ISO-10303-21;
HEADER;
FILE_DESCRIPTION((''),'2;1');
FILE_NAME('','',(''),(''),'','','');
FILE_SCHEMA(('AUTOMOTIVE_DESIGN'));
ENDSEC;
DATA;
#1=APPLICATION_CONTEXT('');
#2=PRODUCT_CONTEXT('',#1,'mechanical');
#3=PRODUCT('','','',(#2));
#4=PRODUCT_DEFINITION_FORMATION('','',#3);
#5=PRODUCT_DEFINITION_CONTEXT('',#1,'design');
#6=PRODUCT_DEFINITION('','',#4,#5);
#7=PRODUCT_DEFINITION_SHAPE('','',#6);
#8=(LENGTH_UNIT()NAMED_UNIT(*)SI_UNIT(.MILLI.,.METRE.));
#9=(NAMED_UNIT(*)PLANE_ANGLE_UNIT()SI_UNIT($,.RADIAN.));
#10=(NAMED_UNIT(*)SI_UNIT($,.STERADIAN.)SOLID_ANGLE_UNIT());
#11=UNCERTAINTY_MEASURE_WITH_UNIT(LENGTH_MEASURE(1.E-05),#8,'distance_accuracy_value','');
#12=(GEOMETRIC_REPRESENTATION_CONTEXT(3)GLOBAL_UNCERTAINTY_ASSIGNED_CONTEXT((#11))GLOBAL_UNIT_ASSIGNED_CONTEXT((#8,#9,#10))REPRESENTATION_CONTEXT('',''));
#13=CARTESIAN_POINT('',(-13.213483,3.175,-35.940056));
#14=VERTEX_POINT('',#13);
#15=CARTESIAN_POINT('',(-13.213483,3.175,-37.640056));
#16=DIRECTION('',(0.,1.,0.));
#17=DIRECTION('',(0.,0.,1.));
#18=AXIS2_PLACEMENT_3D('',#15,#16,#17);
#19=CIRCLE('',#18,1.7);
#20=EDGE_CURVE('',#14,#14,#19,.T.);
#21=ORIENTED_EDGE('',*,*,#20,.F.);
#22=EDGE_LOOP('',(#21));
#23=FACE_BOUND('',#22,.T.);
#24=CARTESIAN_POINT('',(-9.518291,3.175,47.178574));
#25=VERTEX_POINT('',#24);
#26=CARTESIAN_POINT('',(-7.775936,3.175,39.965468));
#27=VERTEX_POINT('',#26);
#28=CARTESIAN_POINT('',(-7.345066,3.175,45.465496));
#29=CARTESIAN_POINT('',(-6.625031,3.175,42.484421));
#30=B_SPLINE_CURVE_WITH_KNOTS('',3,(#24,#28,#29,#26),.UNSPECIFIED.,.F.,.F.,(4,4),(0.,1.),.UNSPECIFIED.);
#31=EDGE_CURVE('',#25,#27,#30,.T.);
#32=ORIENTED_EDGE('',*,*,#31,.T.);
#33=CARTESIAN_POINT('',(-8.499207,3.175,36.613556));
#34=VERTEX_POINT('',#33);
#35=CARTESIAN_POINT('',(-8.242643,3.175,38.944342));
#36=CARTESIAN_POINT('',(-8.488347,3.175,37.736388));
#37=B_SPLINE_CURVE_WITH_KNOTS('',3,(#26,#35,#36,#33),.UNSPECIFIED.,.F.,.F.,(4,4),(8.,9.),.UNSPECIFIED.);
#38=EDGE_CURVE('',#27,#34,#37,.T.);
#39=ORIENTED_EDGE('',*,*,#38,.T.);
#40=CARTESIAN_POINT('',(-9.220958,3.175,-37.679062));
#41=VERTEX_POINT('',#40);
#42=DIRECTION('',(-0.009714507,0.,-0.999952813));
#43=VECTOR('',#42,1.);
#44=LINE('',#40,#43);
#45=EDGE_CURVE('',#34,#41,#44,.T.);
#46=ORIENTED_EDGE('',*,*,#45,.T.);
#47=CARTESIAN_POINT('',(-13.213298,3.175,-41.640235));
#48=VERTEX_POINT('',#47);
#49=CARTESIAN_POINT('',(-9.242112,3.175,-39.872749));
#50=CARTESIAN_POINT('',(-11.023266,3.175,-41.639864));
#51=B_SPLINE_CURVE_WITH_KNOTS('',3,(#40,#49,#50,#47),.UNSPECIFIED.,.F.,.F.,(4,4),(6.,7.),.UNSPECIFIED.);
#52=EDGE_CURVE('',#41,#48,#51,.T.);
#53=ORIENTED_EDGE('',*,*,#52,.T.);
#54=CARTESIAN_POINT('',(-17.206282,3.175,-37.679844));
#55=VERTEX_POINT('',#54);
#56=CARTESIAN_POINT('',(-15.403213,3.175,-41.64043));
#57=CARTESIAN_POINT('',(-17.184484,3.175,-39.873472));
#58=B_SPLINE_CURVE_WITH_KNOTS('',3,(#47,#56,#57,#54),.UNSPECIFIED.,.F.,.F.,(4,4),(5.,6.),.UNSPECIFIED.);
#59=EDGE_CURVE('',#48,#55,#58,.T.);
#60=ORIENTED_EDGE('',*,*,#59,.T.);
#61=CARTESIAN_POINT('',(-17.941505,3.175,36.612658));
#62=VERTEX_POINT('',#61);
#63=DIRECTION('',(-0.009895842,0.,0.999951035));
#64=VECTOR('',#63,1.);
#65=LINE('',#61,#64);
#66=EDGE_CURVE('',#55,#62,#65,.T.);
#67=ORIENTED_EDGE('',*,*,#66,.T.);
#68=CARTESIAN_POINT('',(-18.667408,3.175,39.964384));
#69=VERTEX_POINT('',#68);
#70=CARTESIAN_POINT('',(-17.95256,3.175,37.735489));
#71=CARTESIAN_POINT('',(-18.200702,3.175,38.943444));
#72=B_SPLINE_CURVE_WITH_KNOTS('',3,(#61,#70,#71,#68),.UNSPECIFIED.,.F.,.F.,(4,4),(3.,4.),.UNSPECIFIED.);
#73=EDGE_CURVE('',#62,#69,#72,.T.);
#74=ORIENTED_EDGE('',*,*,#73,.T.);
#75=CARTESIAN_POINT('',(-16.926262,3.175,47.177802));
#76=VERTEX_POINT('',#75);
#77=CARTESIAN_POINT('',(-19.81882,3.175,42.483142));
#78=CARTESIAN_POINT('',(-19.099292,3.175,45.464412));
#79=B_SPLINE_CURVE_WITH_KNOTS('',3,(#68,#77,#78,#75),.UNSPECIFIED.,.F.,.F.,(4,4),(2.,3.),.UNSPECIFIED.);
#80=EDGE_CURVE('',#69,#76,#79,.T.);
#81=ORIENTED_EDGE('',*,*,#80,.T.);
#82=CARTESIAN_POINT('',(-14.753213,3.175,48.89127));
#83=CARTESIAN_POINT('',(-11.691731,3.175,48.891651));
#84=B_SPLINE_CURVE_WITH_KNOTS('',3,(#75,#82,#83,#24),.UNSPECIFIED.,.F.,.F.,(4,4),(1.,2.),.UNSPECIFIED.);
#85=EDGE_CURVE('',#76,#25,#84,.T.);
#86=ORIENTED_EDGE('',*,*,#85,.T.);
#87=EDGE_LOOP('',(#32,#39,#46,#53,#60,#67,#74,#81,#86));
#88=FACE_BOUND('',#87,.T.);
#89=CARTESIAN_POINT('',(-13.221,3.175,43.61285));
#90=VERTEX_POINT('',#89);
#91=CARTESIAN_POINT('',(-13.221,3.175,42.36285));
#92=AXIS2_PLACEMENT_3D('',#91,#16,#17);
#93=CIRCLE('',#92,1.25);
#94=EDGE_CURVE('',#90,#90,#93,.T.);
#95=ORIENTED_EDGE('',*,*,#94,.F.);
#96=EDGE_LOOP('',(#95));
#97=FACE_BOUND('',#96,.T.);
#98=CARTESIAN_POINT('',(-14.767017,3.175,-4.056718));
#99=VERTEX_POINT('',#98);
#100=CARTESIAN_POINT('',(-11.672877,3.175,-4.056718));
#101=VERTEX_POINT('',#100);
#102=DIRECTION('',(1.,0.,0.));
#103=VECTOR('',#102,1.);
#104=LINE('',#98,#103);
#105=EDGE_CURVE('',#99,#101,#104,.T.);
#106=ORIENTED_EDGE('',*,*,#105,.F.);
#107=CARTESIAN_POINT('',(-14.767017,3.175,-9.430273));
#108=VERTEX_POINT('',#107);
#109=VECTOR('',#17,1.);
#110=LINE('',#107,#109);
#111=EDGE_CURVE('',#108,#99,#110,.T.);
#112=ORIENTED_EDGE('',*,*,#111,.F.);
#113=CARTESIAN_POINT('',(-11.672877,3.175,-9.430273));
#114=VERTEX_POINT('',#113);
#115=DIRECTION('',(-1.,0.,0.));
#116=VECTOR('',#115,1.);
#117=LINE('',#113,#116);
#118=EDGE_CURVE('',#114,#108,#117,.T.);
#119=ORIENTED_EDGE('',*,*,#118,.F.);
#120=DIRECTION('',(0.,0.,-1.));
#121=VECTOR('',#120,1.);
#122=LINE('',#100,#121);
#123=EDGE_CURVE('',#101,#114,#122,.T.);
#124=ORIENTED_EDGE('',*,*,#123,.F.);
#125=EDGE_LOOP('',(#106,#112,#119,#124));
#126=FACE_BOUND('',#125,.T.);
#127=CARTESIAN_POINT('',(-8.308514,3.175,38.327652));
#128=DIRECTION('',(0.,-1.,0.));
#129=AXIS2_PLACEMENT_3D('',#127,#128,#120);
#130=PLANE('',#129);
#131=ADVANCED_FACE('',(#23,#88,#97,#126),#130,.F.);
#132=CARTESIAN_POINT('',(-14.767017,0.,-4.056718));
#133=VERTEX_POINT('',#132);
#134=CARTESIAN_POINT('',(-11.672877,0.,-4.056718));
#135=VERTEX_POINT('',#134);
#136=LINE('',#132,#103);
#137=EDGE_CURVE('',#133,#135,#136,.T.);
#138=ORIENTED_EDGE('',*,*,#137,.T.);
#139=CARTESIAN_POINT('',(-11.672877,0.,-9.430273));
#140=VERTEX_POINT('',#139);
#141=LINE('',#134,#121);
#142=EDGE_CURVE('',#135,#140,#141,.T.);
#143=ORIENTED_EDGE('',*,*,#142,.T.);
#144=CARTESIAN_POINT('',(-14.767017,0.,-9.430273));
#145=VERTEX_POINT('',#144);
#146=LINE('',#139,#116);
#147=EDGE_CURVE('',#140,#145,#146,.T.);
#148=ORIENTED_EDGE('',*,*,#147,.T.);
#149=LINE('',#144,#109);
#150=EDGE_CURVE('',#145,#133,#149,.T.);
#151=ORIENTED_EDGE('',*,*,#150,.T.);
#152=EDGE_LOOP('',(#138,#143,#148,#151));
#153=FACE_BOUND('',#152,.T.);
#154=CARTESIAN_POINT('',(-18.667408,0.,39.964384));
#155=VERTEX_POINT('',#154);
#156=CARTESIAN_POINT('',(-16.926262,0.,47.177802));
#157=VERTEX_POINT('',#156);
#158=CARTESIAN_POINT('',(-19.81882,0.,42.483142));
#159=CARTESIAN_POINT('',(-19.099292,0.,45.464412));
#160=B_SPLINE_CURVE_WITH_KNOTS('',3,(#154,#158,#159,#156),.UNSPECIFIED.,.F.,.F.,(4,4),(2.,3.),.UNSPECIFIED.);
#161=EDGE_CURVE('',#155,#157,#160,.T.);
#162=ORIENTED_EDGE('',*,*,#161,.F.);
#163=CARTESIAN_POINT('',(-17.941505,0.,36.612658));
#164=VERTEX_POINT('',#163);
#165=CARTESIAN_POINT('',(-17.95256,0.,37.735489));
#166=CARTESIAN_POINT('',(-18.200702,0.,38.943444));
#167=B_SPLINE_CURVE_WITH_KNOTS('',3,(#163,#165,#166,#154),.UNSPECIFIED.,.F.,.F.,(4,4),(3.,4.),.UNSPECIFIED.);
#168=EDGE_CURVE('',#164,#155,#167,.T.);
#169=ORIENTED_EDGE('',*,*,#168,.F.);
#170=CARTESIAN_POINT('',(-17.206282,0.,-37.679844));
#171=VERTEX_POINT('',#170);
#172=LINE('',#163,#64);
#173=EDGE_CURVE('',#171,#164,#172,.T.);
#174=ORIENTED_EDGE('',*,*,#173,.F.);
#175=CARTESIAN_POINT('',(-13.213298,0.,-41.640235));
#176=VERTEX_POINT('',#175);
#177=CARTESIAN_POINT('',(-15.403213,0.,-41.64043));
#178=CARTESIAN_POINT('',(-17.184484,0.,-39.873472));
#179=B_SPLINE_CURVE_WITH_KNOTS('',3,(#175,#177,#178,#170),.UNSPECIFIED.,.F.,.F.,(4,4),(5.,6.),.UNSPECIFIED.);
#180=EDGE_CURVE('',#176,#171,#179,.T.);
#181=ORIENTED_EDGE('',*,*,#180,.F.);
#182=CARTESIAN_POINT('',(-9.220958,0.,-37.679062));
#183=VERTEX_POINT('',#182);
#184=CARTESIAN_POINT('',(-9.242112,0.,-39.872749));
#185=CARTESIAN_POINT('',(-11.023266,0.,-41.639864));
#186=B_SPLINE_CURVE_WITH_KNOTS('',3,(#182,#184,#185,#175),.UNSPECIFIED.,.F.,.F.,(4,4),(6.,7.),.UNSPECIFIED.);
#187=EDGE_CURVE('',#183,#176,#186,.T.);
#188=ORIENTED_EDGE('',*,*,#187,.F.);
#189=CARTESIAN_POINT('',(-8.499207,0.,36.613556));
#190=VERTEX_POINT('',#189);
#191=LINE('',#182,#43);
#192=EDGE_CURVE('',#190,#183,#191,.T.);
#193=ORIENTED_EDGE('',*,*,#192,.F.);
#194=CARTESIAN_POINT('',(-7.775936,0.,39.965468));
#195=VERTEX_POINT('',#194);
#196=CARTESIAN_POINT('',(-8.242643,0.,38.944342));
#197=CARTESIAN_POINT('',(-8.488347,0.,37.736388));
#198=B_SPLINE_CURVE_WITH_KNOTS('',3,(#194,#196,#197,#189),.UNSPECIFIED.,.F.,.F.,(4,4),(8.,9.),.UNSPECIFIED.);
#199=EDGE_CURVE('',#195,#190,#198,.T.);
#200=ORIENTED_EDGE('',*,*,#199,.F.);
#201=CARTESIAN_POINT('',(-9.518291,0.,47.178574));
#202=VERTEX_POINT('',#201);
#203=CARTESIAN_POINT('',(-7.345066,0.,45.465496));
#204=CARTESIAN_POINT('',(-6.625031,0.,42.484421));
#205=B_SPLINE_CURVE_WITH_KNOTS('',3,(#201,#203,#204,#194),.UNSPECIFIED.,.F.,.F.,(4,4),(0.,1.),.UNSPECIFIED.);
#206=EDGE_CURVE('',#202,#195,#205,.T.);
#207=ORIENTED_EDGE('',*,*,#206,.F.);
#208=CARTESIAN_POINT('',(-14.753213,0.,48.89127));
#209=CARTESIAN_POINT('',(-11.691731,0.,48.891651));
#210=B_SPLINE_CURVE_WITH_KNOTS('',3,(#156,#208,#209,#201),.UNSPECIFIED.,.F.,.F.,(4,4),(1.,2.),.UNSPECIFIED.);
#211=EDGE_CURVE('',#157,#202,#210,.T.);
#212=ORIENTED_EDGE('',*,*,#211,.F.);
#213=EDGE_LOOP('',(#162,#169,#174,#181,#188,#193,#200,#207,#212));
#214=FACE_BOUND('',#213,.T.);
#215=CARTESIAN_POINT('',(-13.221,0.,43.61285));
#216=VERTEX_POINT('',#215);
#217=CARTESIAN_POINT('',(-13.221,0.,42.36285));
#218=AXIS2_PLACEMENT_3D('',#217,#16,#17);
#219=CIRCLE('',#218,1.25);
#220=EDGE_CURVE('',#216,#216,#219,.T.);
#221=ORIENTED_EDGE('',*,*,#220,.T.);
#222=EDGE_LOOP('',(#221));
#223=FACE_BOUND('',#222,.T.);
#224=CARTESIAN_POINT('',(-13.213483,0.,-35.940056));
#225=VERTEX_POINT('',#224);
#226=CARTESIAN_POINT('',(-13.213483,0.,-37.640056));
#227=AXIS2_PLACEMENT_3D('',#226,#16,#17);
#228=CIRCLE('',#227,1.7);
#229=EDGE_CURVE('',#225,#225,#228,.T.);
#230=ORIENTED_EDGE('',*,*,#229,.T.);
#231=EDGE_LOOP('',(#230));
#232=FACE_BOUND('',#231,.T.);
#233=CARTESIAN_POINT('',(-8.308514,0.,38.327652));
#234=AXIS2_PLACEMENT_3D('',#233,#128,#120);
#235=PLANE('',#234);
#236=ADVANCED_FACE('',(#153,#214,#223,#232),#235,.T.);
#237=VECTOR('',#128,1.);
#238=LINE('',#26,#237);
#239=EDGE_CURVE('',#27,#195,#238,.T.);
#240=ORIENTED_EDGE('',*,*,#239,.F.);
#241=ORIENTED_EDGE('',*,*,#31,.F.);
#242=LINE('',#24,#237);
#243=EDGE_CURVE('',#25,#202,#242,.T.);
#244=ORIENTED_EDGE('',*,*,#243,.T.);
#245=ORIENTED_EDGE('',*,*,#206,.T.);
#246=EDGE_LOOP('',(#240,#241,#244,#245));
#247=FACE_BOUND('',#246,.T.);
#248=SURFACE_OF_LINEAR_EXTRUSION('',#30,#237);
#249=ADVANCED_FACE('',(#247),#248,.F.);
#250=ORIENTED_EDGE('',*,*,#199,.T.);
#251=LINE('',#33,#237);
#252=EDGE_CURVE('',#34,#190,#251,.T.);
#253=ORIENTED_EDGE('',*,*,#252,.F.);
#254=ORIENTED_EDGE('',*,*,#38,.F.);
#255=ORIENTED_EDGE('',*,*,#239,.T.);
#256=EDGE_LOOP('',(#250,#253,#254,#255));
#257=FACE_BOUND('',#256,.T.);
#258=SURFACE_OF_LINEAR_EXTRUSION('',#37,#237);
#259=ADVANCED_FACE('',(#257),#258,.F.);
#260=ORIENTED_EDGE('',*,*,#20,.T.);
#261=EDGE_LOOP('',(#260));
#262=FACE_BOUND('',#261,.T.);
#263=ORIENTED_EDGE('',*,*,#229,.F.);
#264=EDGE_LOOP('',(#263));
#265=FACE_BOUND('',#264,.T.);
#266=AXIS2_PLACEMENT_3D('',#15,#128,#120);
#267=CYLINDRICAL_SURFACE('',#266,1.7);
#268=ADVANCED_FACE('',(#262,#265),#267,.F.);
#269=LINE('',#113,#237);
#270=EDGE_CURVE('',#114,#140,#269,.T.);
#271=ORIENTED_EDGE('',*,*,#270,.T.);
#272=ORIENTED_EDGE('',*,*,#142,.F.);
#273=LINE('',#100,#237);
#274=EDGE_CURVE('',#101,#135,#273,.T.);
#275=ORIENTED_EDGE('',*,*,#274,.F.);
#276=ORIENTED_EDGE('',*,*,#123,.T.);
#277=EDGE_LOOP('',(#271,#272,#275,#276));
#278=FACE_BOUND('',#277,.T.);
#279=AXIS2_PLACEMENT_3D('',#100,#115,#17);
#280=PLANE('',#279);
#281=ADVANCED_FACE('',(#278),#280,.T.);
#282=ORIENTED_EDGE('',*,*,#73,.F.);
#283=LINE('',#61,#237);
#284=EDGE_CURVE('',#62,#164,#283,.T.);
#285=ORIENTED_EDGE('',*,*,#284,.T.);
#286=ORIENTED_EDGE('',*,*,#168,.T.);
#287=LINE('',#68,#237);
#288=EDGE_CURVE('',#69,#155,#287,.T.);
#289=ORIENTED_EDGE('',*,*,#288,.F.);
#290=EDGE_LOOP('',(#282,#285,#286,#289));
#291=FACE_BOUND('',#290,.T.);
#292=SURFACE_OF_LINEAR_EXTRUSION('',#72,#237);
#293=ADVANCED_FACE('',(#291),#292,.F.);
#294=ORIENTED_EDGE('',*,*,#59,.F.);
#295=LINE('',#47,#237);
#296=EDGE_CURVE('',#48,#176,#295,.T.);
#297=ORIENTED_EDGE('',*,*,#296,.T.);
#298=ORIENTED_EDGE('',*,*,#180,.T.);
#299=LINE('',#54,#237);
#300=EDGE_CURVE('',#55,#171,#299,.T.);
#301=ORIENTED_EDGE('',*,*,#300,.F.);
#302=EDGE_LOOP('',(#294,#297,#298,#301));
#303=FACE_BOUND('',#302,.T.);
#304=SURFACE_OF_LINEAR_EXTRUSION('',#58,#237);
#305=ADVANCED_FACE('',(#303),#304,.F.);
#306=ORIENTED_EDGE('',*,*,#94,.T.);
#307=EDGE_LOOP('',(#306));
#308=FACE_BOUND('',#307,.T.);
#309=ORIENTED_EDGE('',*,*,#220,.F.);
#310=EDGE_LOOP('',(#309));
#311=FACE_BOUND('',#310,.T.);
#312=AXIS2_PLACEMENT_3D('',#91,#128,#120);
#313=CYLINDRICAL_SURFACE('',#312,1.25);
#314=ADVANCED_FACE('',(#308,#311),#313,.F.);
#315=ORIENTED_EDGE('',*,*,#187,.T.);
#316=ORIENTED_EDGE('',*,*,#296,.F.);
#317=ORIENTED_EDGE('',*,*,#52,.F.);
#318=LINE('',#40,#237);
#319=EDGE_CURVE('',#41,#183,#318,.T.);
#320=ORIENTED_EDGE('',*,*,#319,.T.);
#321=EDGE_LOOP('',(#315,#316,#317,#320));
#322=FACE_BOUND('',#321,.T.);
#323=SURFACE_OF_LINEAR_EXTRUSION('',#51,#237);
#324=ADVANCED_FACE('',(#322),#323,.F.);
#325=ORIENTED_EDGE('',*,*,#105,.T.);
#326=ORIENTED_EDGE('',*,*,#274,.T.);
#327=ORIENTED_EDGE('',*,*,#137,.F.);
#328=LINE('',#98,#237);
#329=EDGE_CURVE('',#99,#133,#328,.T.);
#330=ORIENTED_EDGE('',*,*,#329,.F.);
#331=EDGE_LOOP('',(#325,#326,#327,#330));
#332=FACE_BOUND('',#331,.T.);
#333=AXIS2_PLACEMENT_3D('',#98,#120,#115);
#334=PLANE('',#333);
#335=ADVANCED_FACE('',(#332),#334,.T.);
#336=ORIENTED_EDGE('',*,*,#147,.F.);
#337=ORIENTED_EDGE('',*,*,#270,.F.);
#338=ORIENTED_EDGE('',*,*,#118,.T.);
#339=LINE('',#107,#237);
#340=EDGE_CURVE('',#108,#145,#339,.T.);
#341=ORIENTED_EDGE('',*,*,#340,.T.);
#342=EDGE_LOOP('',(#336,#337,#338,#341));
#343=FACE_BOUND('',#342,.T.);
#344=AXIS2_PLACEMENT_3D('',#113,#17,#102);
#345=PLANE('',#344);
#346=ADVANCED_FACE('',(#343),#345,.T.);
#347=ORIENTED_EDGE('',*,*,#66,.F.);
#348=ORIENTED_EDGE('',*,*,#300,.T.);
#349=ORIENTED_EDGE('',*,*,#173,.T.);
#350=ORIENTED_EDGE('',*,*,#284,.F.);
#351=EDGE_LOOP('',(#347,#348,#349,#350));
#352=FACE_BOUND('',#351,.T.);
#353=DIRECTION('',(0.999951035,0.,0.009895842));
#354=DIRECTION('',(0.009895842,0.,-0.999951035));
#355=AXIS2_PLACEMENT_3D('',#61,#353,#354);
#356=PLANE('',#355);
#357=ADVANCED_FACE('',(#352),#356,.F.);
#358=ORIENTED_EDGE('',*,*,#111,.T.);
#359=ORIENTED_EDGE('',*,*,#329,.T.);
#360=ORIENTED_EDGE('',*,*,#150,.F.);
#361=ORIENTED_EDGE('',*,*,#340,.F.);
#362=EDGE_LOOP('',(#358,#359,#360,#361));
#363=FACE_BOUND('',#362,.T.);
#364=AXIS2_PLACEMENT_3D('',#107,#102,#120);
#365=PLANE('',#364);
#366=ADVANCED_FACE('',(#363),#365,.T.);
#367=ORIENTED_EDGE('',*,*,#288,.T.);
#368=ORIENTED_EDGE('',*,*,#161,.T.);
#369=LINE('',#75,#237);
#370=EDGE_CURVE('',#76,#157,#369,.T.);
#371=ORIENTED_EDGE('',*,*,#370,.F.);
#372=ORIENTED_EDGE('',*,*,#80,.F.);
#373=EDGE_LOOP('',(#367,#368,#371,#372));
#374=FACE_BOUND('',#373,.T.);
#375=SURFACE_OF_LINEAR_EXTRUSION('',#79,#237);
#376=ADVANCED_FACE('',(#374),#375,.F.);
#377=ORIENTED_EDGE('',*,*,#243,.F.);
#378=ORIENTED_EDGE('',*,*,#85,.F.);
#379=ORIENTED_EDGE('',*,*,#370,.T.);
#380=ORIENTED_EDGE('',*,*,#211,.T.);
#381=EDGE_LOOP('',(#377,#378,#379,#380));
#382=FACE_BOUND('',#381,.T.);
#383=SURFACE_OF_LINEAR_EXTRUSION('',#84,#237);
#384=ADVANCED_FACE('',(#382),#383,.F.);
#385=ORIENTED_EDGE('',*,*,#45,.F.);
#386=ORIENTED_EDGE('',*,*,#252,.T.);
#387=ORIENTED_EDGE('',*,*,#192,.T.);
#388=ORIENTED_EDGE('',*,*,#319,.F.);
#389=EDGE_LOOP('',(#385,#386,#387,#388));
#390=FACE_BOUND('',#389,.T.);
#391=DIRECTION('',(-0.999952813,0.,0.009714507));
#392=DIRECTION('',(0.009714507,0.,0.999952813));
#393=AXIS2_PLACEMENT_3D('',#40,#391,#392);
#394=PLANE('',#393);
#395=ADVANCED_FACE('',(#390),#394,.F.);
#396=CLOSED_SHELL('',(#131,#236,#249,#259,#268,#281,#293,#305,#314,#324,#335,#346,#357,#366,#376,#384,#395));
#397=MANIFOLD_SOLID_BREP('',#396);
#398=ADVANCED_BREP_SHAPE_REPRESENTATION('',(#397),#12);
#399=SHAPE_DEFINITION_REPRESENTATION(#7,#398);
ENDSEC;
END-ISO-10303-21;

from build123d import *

# Parameters (mm, degrees)
SKETCH1_R           = 1.25
SKETCH1_R_2         = 1.7
SKETCH1_W           = 3.094140016
SKETCH1_H           = 5.373555218
BOSS_EXTRUDE1_DEPTH = 3.175


with BuildPart() as part:
    # Sketch1 → Boss-Extrude1 (new body)
    with BuildSketch(Plane(origin=(0, 0, 0), x_dir=(1, 0, 0), z_dir=(0, 1, 0))):
        with BuildLine():
            Line((-17.941505014, -36.612657571), (-17.206282158, 37.679843625))
            add(Edge.make_bspline(
                [(-17.206282158, 37.679843625), (-17.184484201, 39.873471894), (-15.40321289, 41.64043003), (-13.213298132, 41.640234704)],
                knots=[5, 5, 5, 5, 6, 6, 6, 6], degree=3))
            add(Edge.make_bspline(
                [(-13.213298132, 41.640234704), (-11.02326639, 41.639863585), (-9.242112063, 39.872749187), (-9.220957516, 37.67906232)],
                knots=[6, 6, 6, 6, 7, 7, 7, 7], degree=3))
            Line((-9.220957516, 37.67906232), (-8.499207286, -36.613556071))
            add(Edge.make_bspline(
                [(-8.499207286, -36.613556071), (-8.488347302, -37.73638763), (-8.242642606, -38.944342263), (-7.775936264, -39.965467569)],
                knots=[8, 8, 8, 8, 9, 9, 9, 9], degree=3))
            add(Edge.make_bspline(
                [(-7.775936264, -39.965467569), (-6.625031446, -42.484421072), (-7.34506592, -45.465496377), (-9.518291008, -47.178573835)],
                knots=[0, 0, 0, 0, 1, 1, 1, 1], degree=3))
            add(Edge.make_bspline(
                [(-9.518291008, -47.178573835), (-11.691730567, -48.891651292), (-14.753212643, -48.891270406), (-16.926262256, -47.177802296)],
                knots=[1, 1, 1, 1, 2, 2, 2, 2], degree=3))
            add(Edge.make_bspline(
                [(-16.926262256, -47.177802296), (-19.099292372, -45.464412317), (-19.818819916, -42.483141686), (-18.667408168, -39.96438351)],
                knots=[2, 2, 2, 2, 3, 3, 3, 3], degree=3))
            add(Edge.make_bspline(
                [(-18.667408168, -39.96438351), (-18.200701827, -38.943443763), (-17.952559971, -37.73548913), (-17.941505014, -36.612657571)],
                knots=[3, 3, 3, 3, 4, 4, 4, 4], degree=3))
        make_face()
        with Locations(Location((-13.22099956, -42.362850164, 0), (0, 0, 270))):
            Circle(SKETCH1_R, mode=Mode.SUBTRACT)
        with Locations(Location((-13.213483356, 37.640055716, 0), (0, 0, 270))):
            Circle(SKETCH1_R_2, mode=Mode.SUBTRACT)
        with Locations((-13.219946705, 6.743495147)):
            Rectangle(SKETCH1_W, SKETCH1_H, mode=Mode.SUBTRACT)
    extrude(amount=BOSS_EXTRUDE1_DEPTH)


solid = part.part
